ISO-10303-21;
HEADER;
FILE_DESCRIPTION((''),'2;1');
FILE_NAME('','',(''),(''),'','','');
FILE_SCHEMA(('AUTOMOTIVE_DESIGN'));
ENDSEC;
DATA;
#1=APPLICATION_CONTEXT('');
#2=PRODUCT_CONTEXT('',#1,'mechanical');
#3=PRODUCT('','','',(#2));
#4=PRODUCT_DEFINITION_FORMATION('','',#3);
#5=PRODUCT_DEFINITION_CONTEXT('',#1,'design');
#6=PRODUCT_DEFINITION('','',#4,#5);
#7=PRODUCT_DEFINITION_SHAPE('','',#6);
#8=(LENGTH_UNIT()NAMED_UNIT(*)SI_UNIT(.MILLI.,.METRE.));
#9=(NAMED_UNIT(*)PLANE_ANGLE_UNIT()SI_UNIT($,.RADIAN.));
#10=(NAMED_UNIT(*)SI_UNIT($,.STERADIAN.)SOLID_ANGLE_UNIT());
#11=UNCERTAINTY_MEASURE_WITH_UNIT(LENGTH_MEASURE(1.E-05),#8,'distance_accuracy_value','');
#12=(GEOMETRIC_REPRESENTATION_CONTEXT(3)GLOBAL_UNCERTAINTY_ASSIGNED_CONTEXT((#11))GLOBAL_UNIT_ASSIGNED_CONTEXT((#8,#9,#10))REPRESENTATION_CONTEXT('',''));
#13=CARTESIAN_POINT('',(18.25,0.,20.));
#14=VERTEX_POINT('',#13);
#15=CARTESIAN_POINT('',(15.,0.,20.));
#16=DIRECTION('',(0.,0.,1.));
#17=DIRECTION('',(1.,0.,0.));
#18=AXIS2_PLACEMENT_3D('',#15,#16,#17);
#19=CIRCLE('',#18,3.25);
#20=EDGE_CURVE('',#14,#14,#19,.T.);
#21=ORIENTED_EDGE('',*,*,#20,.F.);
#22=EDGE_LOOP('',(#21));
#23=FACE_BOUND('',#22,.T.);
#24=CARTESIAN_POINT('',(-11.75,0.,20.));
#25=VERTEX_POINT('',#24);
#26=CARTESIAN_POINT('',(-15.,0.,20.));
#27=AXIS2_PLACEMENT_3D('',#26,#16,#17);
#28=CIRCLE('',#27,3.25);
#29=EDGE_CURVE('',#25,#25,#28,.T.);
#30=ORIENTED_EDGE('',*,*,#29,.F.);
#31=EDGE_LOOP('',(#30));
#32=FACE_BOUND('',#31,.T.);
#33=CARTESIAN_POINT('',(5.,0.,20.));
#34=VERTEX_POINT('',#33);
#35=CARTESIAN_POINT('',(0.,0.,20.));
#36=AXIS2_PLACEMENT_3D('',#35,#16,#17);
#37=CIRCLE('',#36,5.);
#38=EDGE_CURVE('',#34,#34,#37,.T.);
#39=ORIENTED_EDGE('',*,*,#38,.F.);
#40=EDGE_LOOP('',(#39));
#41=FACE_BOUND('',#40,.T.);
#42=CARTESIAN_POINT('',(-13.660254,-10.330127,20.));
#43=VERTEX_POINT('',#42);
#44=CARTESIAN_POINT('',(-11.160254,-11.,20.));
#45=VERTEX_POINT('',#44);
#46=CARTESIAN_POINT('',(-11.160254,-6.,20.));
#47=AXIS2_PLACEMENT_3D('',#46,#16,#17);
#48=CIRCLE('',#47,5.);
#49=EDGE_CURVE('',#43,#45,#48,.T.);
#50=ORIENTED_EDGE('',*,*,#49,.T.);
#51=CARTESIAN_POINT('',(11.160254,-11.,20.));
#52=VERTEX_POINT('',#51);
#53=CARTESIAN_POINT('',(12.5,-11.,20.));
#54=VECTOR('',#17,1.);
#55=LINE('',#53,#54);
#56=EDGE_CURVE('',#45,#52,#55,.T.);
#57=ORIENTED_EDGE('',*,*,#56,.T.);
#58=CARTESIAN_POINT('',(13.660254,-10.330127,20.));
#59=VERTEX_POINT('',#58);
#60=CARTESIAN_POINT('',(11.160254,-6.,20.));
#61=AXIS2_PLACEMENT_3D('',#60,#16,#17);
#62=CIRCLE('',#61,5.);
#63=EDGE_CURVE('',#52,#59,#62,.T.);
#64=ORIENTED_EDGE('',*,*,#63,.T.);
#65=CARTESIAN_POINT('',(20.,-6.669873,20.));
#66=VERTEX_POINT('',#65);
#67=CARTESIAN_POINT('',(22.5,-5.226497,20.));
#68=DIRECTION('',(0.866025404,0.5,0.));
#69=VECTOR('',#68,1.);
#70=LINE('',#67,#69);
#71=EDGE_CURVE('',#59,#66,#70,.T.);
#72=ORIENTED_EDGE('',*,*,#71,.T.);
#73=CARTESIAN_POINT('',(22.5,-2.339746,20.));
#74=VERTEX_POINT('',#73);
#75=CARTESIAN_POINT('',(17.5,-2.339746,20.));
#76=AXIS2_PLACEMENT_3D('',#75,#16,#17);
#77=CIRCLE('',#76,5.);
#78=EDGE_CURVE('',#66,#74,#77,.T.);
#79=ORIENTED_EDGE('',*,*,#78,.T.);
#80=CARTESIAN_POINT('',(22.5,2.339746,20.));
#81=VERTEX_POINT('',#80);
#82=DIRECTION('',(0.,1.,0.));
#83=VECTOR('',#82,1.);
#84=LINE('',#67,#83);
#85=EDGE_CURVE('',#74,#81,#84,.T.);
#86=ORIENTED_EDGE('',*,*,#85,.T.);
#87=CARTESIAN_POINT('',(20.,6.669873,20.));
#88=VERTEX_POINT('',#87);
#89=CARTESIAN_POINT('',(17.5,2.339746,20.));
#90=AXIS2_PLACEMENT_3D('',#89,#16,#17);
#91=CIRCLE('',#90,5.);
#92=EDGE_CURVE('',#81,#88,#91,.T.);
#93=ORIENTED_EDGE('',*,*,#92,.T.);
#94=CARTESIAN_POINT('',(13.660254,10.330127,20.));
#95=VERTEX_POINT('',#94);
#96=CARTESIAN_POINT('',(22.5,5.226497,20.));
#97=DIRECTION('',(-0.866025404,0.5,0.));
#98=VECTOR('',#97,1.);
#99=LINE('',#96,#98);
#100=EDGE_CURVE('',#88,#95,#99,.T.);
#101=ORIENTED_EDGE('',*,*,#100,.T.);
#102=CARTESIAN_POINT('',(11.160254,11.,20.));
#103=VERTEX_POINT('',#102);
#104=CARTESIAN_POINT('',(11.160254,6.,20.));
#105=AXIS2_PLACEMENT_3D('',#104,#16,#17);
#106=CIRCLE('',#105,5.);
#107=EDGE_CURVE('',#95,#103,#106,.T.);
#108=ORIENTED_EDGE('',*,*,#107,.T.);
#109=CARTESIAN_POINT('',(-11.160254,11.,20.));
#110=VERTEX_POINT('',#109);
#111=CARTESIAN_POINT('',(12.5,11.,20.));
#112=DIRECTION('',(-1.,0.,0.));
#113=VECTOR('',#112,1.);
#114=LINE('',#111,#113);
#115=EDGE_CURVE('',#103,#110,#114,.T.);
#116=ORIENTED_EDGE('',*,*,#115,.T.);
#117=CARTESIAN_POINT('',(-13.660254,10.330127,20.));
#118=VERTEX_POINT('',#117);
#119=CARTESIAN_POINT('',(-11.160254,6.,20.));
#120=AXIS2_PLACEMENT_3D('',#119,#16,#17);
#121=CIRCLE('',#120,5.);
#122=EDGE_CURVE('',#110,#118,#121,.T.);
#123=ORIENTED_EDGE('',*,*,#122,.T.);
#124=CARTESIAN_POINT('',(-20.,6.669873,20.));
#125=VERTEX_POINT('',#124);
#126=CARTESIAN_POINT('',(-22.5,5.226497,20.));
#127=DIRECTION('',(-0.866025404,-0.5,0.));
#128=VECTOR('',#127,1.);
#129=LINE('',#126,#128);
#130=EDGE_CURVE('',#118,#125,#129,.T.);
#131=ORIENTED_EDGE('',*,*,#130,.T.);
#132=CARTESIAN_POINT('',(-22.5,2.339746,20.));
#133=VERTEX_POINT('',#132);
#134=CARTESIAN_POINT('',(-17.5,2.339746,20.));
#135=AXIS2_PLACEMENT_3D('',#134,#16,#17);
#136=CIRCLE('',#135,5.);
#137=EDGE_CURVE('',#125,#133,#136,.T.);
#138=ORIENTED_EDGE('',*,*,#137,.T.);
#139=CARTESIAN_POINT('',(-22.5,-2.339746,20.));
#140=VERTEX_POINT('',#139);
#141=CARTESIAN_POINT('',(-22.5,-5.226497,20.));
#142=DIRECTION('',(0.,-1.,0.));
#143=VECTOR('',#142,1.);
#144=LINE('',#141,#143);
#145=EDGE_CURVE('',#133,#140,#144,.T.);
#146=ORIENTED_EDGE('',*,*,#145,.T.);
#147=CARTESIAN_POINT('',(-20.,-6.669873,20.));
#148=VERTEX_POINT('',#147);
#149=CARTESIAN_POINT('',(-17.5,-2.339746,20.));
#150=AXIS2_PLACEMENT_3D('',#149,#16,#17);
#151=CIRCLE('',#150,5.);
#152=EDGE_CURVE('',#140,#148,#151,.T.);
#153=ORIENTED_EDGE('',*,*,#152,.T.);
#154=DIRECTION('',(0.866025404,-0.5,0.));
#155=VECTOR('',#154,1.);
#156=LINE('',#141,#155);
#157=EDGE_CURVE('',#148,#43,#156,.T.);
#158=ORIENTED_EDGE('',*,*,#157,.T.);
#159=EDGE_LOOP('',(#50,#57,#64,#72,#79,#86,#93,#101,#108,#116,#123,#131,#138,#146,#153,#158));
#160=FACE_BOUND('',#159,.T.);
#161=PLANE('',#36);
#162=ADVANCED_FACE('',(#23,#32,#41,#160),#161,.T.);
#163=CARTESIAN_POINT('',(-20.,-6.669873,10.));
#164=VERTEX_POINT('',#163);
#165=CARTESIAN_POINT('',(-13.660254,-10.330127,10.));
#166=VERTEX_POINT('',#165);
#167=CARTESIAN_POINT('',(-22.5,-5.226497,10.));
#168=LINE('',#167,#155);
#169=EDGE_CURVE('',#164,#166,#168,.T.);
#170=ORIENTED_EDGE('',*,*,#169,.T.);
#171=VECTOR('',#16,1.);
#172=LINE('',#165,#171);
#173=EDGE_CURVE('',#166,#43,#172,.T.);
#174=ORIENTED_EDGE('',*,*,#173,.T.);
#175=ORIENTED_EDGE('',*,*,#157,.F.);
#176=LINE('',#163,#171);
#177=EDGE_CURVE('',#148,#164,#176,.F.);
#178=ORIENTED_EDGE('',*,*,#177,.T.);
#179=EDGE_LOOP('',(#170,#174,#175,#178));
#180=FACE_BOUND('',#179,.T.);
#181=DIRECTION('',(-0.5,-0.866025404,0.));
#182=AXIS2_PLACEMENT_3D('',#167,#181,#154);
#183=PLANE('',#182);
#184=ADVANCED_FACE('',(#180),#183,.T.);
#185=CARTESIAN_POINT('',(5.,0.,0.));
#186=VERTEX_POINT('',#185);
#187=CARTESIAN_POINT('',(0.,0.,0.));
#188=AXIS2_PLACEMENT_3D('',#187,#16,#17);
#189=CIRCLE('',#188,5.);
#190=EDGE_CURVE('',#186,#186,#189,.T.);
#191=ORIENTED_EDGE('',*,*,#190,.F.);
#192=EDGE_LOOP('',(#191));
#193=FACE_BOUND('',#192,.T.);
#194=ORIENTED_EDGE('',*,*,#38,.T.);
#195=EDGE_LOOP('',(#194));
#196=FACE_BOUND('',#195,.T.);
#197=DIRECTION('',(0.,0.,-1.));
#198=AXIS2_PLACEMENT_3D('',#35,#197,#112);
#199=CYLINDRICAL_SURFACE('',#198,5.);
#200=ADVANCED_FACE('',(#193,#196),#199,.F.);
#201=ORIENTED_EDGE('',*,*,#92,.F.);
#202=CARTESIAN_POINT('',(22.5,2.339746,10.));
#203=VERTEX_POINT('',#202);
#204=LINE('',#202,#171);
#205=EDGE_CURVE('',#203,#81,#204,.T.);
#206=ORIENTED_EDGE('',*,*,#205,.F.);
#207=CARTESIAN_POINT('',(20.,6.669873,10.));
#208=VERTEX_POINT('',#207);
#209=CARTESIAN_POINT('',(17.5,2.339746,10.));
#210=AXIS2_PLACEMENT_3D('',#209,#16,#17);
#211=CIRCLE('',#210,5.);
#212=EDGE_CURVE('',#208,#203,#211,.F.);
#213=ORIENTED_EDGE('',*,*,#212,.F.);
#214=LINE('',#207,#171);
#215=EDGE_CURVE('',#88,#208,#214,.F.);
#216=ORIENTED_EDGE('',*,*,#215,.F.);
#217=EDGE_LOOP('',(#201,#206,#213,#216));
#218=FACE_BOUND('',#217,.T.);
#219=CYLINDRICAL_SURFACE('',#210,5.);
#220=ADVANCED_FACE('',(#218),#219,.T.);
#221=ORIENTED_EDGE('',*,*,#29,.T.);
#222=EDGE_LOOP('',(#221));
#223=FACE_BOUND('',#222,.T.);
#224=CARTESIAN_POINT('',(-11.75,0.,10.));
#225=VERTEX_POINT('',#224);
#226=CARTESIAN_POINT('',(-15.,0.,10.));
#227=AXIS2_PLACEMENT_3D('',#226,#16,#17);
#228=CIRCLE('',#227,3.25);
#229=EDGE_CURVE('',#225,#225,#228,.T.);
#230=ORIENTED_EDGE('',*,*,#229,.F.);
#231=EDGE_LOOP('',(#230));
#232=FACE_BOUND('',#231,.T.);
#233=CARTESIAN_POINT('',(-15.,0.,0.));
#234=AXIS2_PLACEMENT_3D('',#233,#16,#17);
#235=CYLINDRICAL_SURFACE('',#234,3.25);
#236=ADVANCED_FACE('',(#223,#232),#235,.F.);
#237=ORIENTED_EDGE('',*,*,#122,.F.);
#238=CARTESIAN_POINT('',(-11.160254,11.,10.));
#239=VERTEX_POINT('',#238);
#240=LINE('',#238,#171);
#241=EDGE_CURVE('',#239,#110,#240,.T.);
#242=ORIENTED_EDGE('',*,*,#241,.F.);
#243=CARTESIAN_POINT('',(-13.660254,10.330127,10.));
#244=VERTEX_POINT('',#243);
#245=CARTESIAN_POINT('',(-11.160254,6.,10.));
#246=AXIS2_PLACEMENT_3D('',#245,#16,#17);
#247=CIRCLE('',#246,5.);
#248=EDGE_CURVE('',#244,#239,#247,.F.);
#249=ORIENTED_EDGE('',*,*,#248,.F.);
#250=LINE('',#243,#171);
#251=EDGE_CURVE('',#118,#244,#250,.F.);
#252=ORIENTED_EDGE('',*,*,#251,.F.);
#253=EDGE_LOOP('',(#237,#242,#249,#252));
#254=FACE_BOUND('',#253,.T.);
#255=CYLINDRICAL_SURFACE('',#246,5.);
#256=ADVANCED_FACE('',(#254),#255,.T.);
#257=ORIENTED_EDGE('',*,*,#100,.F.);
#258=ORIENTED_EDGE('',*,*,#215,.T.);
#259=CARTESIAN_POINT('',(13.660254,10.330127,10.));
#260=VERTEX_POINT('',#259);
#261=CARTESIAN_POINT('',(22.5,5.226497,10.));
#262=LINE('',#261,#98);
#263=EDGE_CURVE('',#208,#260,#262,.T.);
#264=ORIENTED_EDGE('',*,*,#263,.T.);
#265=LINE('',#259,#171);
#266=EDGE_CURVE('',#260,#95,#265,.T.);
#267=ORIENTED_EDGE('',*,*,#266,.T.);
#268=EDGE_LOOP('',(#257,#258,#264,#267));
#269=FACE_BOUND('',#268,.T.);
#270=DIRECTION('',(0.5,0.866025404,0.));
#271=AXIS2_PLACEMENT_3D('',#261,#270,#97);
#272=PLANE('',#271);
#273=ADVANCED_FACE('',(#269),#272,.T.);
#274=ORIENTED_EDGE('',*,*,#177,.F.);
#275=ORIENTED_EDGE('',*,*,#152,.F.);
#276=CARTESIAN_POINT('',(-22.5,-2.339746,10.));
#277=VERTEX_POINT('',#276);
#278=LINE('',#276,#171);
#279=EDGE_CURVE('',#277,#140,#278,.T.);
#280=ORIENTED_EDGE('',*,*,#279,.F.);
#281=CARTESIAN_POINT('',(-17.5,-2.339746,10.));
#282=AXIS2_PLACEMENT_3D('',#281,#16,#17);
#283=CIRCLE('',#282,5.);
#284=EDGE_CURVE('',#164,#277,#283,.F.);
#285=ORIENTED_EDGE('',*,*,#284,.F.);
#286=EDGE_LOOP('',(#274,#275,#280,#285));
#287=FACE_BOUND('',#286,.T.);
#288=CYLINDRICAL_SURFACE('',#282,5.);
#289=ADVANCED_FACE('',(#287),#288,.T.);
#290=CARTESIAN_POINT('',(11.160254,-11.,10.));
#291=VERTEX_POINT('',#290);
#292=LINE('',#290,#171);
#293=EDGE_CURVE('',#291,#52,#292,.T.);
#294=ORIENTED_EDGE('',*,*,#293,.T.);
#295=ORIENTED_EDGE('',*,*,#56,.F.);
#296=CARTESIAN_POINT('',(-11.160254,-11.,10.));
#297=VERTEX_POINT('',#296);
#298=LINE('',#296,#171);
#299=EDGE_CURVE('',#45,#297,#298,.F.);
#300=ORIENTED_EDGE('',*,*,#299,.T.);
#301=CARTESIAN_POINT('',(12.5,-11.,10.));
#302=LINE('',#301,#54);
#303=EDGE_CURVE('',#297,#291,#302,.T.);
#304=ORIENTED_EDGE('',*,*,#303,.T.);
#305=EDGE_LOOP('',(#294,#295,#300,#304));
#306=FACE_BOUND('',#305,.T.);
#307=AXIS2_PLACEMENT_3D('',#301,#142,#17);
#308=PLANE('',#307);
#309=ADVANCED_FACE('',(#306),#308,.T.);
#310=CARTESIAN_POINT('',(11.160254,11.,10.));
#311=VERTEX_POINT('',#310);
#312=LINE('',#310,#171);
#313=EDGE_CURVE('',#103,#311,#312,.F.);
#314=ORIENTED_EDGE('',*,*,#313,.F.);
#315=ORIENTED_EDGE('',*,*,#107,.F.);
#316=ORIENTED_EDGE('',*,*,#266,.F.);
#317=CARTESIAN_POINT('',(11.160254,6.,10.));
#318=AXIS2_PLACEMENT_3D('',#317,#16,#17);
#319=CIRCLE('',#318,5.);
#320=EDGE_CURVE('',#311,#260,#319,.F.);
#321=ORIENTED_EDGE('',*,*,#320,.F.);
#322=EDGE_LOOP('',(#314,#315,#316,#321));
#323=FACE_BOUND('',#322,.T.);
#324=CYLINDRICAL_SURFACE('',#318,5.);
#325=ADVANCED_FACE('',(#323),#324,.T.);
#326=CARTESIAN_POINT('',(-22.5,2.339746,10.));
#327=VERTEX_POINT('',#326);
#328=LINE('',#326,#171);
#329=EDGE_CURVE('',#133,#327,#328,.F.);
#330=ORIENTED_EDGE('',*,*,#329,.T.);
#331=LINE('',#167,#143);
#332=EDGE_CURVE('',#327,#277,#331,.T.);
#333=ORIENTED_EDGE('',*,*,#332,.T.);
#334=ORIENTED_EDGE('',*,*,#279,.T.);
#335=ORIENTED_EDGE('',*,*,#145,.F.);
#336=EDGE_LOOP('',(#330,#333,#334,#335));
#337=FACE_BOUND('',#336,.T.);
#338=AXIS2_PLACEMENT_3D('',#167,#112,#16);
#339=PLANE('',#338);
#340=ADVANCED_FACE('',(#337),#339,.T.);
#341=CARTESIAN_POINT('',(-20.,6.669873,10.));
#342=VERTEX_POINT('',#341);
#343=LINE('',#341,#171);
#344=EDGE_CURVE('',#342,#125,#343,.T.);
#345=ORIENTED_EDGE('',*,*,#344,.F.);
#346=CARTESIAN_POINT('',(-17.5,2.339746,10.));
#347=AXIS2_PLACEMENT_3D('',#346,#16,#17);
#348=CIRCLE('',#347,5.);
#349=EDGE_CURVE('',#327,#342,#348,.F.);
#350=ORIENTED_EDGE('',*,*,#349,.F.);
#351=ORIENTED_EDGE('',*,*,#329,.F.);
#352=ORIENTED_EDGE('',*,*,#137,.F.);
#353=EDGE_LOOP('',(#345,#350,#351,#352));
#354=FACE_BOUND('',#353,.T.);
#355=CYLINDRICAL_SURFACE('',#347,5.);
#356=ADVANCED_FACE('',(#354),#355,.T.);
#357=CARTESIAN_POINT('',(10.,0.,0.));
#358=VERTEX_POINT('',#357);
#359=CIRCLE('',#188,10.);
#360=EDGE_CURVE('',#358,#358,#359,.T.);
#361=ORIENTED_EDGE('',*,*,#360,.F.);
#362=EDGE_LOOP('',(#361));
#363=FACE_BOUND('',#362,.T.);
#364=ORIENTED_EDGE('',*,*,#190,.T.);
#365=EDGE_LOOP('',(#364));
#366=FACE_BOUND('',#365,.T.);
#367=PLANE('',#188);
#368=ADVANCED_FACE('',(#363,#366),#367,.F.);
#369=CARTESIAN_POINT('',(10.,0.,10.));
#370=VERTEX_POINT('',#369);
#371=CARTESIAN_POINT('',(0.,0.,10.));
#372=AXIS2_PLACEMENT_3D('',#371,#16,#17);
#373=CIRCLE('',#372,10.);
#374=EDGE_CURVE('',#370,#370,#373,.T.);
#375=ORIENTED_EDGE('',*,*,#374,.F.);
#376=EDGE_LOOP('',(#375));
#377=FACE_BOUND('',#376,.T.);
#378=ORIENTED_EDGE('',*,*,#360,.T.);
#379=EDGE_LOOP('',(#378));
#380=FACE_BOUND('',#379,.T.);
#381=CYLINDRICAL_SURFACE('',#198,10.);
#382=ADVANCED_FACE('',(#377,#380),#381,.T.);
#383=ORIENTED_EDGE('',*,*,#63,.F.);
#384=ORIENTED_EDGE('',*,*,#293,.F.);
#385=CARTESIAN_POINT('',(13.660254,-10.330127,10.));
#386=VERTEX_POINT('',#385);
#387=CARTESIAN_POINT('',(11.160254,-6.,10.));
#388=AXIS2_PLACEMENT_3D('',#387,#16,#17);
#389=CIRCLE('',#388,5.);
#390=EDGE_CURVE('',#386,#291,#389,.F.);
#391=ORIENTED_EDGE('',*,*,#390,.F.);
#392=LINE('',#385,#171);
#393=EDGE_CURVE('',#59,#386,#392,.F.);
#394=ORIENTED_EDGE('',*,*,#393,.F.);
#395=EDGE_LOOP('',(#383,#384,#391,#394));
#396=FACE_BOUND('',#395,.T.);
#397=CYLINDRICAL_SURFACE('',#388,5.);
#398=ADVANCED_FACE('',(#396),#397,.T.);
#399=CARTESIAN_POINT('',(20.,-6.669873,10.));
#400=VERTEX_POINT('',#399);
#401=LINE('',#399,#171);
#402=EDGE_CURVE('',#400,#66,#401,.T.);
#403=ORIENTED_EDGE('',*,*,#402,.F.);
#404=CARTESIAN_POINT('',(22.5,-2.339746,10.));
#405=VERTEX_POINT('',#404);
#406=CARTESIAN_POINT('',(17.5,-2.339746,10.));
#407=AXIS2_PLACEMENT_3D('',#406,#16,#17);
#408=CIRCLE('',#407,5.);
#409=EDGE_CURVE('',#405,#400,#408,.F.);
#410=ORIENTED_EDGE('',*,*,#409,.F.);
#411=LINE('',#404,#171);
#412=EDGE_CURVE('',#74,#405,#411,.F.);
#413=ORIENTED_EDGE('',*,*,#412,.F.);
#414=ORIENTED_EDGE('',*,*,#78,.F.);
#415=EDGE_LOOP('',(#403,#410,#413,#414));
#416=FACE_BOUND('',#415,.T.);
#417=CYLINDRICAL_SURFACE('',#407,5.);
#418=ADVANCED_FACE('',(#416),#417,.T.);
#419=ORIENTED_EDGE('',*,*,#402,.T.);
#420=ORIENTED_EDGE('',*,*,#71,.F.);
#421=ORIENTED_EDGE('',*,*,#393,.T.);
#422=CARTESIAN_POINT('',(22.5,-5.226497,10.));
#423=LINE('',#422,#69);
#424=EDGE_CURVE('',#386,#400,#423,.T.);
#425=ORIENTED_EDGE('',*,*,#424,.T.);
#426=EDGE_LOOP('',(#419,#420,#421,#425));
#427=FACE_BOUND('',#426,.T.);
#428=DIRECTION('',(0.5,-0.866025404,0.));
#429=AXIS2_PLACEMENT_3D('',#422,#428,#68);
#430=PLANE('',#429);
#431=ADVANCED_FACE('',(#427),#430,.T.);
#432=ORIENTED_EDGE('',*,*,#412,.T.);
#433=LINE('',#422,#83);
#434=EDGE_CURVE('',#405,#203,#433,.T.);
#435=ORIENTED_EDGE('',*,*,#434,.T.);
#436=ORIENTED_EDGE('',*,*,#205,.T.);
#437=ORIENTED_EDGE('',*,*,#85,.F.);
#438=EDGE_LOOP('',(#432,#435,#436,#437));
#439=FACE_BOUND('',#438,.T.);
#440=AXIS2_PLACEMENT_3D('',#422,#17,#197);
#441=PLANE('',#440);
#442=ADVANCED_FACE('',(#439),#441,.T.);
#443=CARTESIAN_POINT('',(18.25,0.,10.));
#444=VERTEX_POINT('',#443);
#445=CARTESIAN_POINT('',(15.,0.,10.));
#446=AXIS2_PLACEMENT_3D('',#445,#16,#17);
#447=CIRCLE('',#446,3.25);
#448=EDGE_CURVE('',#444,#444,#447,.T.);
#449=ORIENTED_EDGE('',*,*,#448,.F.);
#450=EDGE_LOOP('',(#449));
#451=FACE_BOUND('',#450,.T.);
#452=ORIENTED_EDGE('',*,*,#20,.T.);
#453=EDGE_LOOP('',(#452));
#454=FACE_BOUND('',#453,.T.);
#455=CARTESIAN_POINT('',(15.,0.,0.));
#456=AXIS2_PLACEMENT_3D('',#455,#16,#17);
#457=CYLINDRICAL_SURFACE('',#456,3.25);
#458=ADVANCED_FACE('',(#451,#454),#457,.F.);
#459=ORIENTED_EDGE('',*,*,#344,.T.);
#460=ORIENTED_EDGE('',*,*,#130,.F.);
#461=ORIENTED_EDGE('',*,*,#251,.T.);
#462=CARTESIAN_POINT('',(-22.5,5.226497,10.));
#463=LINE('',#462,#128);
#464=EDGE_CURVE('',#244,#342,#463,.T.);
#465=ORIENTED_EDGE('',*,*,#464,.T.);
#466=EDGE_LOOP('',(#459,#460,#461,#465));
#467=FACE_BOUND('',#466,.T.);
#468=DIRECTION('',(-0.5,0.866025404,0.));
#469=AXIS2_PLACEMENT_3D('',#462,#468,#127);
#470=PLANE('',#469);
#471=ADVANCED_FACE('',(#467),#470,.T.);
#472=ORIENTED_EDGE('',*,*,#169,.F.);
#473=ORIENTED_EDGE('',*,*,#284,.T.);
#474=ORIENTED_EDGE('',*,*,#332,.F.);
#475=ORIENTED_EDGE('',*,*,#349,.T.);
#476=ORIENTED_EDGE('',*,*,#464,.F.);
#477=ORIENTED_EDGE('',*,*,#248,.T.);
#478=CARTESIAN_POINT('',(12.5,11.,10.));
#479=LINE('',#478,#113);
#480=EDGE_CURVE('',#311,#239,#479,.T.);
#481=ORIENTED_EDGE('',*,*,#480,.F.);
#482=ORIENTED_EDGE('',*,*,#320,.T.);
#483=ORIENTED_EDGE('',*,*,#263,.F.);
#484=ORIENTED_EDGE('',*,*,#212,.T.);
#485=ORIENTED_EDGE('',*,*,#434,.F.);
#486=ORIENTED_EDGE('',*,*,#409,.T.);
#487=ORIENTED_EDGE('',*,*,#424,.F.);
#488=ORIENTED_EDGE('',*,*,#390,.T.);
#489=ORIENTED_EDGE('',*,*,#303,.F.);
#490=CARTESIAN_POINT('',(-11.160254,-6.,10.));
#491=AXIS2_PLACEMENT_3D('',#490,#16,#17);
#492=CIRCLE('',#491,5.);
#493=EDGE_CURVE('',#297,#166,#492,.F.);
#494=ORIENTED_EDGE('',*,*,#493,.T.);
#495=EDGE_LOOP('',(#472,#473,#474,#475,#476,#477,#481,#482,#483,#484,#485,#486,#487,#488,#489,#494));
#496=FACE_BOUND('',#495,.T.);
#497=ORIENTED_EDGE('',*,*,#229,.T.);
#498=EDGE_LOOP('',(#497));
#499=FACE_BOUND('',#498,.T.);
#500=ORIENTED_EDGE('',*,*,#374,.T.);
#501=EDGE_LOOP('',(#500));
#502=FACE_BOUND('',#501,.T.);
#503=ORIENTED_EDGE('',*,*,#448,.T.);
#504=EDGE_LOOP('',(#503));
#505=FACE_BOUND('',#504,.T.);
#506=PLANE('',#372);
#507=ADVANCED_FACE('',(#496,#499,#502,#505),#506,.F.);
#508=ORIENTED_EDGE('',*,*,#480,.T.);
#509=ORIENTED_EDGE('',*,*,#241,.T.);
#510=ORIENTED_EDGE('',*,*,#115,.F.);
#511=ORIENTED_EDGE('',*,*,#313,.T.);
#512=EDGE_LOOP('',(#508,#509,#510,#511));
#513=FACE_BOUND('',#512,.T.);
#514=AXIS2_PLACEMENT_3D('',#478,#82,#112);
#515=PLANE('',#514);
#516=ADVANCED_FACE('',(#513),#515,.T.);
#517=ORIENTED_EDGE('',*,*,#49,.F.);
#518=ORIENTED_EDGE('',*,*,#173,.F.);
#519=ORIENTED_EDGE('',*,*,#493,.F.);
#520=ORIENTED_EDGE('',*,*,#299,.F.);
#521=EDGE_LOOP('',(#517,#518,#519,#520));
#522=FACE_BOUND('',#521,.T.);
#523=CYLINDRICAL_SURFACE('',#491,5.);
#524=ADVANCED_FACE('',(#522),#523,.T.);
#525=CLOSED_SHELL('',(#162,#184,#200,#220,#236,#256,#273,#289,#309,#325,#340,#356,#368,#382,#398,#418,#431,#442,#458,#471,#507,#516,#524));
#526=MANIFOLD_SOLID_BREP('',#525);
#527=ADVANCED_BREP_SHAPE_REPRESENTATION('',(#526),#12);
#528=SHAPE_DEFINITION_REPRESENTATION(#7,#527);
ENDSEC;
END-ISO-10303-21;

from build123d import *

# Parameters (mm, degrees)
ESQUISSE1_R                  = 10
ESQUISSE1_R_2                = 5
BOSS_EXTRU_1_DEPTH           = 20
BOSS_EXTRU_2_START           = -10
ESQUISSE2_R                  = 5
BOSS_EXTRU_2_DEPTH           = 10
ENL_V_MAT_EXTRU_1_DEPTH      = 33.050741021
ENL_V_MAT_EXTRU_1_DEPTH_BACK = 33.050741021
ESQUISSE3_R                  = 3.25
CONG_1_R                     = 5


with BuildPart() as part:
    # Esquisse1 → Boss.-Extru.1 (new body)
    with BuildSketch(Plane.XY):
        Circle(ESQUISSE1_R)
        Circle(ESQUISSE1_R_2, mode=Mode.SUBTRACT)
    extrude(amount=BOSS_EXTRU_1_DEPTH)

    # Esquisse2 → Boss.-Extru.2 (add)
    with BuildSketch(Plane.XY.offset(20).offset(BOSS_EXTRU_2_START)):
        Polygon((22.5, -5.226497308), (22.5, 5.226497308), (12.5, 11), (-12.5, 11), (-22.5, 5.226497308), (-22.5, -5.226497308), (-12.5, -11), (12.5, -11), align=None)
        Circle(ESQUISSE2_R, mode=Mode.SUBTRACT)
    extrude(amount=BOSS_EXTRU_2_DEPTH)

    # Esquisse3 → Enlèv. mat.-Extru.1 (cut, two sides: drawn at the far end of the back side and taken through both)
    with BuildSketch(Plane.XY.offset(20).offset(-ENL_V_MAT_EXTRU_1_DEPTH_BACK)):
        with Locations((15, 0)):
            Circle(ESQUISSE3_R)
        with Locations((-15, 0)):
            Circle(ESQUISSE3_R)
    extrude(amount=ENL_V_MAT_EXTRU_1_DEPTH + ENL_V_MAT_EXTRU_1_DEPTH_BACK, mode=Mode.SUBTRACT)

    # Congé1
    cong_1_edges = [part.edges().sort_by_distance(p)[0] for p in [
        (22.5, -5.226497308, 15),
        (12.5, -11, 15),
        (-12.5, -11, 15),
        (-22.5, -5.226497308, 15),
        (-22.5, 5.226497308, 15),
        (-12.5, 11, 15),
        (12.5, 11, 15),
        (22.5, 5.226497308, 15),
    ]]
    fillet(cong_1_edges, radius=CONG_1_R)


solid = part.part
